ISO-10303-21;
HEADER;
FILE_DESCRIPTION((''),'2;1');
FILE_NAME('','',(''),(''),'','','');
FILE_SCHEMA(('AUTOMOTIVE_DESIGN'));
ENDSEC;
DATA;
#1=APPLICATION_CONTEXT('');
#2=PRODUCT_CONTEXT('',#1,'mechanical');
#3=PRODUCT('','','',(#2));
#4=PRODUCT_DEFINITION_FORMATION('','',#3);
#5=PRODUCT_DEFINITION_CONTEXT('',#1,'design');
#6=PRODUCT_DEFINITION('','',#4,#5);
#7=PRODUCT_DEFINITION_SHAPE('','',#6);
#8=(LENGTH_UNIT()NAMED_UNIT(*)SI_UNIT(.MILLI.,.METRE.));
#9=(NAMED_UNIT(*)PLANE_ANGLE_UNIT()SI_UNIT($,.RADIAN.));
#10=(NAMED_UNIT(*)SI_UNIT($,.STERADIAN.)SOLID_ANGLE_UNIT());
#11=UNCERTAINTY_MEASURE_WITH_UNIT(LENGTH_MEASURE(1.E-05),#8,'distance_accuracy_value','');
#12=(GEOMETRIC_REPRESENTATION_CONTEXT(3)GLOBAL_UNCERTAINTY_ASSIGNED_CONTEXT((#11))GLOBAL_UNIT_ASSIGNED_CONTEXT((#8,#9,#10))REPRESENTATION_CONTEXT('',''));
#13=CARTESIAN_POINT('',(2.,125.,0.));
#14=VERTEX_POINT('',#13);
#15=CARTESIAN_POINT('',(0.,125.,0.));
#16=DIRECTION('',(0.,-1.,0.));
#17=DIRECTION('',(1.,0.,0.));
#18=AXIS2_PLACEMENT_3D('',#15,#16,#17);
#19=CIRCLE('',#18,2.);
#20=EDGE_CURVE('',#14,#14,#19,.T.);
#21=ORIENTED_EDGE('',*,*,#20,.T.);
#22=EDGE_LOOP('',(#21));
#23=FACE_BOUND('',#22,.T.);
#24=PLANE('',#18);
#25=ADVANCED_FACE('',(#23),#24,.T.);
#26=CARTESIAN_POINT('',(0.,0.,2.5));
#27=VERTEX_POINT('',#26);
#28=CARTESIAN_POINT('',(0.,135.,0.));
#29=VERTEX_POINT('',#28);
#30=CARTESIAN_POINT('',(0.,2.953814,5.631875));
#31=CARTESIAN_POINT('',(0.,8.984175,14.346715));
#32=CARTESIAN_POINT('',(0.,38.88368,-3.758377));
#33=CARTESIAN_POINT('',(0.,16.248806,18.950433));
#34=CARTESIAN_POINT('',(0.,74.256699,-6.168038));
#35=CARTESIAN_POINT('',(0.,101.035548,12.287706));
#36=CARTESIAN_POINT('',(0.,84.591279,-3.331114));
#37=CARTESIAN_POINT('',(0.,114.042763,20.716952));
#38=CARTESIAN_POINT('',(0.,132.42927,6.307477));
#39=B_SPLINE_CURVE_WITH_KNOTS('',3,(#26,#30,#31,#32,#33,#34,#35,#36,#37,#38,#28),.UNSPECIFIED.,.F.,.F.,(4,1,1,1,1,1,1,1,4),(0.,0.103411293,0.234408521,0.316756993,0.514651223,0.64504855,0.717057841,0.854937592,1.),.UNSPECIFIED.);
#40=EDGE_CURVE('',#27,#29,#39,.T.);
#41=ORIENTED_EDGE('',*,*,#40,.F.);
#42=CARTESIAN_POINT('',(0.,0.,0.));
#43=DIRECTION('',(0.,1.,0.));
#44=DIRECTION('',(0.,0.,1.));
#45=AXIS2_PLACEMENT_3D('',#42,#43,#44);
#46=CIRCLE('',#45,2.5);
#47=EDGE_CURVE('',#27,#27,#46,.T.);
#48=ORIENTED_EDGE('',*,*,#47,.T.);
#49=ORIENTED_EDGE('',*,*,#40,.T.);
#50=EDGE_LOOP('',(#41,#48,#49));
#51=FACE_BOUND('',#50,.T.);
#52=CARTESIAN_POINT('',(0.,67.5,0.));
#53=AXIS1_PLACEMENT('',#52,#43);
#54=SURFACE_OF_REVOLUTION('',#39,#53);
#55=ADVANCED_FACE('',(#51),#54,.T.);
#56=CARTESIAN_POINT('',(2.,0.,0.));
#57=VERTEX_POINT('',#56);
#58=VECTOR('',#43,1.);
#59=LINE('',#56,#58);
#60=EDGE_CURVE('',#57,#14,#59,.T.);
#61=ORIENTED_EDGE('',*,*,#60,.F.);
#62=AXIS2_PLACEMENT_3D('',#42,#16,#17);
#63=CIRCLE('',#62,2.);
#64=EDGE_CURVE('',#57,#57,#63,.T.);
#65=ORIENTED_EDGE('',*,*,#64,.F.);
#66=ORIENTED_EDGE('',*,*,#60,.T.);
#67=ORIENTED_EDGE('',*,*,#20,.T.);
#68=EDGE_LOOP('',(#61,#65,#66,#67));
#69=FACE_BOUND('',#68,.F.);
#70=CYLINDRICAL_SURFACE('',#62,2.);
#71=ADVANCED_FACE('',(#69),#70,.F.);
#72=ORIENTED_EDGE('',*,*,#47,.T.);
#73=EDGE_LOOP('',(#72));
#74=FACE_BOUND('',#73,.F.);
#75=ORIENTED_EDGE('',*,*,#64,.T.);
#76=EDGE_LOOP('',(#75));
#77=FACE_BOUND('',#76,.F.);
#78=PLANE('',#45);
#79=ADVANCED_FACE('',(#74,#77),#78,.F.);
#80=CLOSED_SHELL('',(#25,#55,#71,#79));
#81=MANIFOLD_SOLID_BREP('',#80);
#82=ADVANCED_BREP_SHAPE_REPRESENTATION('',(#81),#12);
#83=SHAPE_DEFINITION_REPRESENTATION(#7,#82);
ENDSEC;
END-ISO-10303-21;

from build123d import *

# Parameters (mm, degrees)
F2_R     = 2
F3_DEPTH = 125


with BuildPart() as f1:
    # F0 (on Right) → F1 (revolve)
    with BuildSketch(Plane.YZ):
        with BuildLine():
            Line((0, 2.5), (0, 0))
            Line((0, 0), (135, 0))
            add(Edge.make_bspline(
                [(0, 2.5), (2.9538139549, 5.6318750986), (8.9841747229, 14.34671541), (38.8836804231, -3.758377312), (16.2488057763, 18.9504332913), (74.2566990272, -6.168037551), (101.0355476861, 12.2877063912), (84.5912790657, -3.3311144088), (114.0427625387, 20.7169518712), (132.4292699331, 6.3074770169), (135, 0)],
                knots=[0, 0, 0, 0, 0.1034112931, 0.2344085208, 0.3167569927, 0.5146512232, 0.6450485498, 0.7170578408, 0.8549375917, 1, 1, 1, 1], degree=3))
        make_face()
    revolve(axis=Axis((0, 67.5, 0), (0, 1, 0)))

    # F2 (on face) → F3 (cut)
    with BuildSketch(Plane.XZ):
        Circle(F2_R)
    extrude(amount=-F3_DEPTH, mode=Mode.SUBTRACT)


solid = f1.part
